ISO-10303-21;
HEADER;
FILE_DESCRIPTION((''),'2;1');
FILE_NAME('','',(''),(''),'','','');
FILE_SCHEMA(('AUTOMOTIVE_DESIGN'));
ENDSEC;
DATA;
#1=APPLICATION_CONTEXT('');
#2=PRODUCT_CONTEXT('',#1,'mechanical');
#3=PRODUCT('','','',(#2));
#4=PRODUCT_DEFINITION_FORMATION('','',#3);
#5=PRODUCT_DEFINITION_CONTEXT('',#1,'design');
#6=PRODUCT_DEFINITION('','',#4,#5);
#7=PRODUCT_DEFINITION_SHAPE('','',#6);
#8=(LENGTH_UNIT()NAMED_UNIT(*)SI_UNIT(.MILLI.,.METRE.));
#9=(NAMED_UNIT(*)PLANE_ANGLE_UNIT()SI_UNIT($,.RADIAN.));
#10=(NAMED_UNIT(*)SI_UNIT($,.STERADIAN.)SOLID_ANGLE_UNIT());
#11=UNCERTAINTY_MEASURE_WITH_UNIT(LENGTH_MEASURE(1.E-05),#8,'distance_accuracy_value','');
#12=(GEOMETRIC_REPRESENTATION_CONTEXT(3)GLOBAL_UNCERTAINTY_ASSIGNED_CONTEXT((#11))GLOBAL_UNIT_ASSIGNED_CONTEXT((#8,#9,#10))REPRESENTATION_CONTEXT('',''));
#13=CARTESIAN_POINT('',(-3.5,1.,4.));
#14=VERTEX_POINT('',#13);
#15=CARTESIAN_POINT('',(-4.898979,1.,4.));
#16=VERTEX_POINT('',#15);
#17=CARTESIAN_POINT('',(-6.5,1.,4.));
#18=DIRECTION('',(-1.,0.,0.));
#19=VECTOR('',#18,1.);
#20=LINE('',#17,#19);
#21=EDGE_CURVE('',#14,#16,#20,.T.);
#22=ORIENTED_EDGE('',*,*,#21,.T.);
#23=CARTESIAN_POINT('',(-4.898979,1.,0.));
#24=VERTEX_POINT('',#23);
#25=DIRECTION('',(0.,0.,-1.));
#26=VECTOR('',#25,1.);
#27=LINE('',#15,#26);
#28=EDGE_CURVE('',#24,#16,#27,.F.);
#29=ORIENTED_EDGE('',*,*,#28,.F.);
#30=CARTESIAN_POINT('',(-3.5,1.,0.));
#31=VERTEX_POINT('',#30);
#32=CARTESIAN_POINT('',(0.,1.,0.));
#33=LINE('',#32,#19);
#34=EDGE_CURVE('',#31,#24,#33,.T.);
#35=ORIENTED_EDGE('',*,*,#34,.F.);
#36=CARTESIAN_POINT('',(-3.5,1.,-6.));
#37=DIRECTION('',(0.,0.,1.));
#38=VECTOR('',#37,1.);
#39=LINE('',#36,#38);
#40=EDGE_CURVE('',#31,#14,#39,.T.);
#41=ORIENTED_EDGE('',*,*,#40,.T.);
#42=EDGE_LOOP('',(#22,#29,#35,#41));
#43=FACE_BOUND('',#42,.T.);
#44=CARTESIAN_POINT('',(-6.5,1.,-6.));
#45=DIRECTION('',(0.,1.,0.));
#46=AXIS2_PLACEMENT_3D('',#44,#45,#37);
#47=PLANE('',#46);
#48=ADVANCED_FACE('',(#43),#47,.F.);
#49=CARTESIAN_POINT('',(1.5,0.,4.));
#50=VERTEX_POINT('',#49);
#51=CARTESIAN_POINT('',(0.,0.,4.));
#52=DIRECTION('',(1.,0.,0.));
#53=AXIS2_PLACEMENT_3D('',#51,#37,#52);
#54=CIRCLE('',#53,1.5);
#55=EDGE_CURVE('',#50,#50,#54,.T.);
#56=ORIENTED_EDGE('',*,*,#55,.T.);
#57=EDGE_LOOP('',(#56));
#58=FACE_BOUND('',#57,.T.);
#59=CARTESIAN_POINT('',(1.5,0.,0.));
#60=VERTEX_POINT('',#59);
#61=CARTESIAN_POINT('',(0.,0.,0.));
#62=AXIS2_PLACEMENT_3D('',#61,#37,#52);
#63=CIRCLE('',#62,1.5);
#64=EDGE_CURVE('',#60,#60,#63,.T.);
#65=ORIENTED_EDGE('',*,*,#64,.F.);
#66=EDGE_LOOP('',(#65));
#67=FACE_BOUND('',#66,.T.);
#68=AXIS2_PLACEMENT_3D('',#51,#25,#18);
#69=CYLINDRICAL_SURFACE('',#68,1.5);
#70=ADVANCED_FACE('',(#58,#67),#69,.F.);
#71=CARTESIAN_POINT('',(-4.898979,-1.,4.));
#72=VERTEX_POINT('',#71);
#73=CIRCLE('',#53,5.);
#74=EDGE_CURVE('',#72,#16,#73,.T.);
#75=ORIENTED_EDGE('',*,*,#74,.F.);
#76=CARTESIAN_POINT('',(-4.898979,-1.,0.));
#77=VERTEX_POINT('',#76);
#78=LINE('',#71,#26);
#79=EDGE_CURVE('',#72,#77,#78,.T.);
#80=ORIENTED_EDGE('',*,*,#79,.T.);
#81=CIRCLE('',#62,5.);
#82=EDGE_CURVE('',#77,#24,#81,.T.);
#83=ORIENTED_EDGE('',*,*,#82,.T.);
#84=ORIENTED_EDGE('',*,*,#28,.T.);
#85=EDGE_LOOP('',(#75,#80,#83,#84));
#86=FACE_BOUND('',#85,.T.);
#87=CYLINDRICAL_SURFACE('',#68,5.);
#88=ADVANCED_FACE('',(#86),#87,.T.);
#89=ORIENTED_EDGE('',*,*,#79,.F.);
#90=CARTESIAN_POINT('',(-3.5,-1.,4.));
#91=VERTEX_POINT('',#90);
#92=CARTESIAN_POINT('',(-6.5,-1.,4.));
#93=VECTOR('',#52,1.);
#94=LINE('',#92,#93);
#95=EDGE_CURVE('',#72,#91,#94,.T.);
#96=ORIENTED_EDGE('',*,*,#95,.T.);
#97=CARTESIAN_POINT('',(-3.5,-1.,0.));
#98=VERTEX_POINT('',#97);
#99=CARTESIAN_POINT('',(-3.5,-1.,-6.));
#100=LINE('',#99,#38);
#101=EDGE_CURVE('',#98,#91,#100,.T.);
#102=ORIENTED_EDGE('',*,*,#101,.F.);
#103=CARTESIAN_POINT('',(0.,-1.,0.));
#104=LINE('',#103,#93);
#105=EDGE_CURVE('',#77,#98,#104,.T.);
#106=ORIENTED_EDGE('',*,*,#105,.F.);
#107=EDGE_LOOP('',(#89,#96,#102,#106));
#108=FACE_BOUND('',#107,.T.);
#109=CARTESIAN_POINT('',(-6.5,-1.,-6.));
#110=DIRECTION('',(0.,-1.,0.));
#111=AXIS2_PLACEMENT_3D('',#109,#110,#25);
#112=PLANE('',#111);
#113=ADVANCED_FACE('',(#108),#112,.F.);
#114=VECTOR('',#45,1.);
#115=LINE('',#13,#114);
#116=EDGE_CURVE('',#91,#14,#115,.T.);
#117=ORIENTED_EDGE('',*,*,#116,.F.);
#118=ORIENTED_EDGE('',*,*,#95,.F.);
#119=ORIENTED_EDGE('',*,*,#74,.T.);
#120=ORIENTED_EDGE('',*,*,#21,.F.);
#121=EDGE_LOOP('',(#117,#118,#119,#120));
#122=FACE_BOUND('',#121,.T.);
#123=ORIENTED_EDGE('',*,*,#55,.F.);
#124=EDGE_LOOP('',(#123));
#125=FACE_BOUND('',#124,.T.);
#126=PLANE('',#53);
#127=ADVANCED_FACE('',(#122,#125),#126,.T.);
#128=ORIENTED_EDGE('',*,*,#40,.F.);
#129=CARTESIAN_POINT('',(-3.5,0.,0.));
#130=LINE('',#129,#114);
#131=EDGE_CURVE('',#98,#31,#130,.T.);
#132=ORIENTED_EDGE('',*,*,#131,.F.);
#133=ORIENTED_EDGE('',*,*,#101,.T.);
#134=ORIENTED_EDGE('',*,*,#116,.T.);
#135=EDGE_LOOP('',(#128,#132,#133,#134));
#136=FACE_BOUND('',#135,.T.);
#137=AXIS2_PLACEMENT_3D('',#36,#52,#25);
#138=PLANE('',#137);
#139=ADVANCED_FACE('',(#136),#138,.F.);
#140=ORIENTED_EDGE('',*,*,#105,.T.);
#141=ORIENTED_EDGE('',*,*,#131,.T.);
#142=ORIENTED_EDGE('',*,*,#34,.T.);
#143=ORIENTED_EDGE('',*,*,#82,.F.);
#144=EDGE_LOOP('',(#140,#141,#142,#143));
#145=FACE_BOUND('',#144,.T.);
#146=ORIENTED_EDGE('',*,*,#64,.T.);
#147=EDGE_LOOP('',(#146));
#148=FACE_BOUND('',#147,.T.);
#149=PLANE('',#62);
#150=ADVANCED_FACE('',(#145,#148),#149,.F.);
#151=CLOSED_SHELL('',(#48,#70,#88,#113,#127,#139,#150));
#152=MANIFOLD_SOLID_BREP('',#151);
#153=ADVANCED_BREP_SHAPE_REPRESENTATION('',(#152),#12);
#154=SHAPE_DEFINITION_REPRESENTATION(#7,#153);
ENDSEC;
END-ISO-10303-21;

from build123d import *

# Parameters (mm, degrees)
SKETCH1_R           = 5
SKETCH1_R_2         = 1.5
BOSS_EXTRUDE1_DEPTH = 4
SKETCH2_W           = 3
SKETCH2_H           = 2
CUT_EXTRUDE1_DEPTH  = 10


with BuildPart() as part:
    # Sketch1 → Boss-Extrude1 (new body)
    with BuildSketch(Plane.XY):
        Circle(SKETCH1_R)
        Circle(SKETCH1_R_2, mode=Mode.SUBTRACT)
    extrude(amount=BOSS_EXTRUDE1_DEPTH)

    # Sketch2 → Cut-Extrude1 (cut)
    with BuildSketch(Plane.XY.offset(4)):
        with Locations((-5, 0)):
            Rectangle(SKETCH2_W, SKETCH2_H)
    extrude(amount=-CUT_EXTRUDE1_DEPTH, mode=Mode.SUBTRACT)


solid = part.part
